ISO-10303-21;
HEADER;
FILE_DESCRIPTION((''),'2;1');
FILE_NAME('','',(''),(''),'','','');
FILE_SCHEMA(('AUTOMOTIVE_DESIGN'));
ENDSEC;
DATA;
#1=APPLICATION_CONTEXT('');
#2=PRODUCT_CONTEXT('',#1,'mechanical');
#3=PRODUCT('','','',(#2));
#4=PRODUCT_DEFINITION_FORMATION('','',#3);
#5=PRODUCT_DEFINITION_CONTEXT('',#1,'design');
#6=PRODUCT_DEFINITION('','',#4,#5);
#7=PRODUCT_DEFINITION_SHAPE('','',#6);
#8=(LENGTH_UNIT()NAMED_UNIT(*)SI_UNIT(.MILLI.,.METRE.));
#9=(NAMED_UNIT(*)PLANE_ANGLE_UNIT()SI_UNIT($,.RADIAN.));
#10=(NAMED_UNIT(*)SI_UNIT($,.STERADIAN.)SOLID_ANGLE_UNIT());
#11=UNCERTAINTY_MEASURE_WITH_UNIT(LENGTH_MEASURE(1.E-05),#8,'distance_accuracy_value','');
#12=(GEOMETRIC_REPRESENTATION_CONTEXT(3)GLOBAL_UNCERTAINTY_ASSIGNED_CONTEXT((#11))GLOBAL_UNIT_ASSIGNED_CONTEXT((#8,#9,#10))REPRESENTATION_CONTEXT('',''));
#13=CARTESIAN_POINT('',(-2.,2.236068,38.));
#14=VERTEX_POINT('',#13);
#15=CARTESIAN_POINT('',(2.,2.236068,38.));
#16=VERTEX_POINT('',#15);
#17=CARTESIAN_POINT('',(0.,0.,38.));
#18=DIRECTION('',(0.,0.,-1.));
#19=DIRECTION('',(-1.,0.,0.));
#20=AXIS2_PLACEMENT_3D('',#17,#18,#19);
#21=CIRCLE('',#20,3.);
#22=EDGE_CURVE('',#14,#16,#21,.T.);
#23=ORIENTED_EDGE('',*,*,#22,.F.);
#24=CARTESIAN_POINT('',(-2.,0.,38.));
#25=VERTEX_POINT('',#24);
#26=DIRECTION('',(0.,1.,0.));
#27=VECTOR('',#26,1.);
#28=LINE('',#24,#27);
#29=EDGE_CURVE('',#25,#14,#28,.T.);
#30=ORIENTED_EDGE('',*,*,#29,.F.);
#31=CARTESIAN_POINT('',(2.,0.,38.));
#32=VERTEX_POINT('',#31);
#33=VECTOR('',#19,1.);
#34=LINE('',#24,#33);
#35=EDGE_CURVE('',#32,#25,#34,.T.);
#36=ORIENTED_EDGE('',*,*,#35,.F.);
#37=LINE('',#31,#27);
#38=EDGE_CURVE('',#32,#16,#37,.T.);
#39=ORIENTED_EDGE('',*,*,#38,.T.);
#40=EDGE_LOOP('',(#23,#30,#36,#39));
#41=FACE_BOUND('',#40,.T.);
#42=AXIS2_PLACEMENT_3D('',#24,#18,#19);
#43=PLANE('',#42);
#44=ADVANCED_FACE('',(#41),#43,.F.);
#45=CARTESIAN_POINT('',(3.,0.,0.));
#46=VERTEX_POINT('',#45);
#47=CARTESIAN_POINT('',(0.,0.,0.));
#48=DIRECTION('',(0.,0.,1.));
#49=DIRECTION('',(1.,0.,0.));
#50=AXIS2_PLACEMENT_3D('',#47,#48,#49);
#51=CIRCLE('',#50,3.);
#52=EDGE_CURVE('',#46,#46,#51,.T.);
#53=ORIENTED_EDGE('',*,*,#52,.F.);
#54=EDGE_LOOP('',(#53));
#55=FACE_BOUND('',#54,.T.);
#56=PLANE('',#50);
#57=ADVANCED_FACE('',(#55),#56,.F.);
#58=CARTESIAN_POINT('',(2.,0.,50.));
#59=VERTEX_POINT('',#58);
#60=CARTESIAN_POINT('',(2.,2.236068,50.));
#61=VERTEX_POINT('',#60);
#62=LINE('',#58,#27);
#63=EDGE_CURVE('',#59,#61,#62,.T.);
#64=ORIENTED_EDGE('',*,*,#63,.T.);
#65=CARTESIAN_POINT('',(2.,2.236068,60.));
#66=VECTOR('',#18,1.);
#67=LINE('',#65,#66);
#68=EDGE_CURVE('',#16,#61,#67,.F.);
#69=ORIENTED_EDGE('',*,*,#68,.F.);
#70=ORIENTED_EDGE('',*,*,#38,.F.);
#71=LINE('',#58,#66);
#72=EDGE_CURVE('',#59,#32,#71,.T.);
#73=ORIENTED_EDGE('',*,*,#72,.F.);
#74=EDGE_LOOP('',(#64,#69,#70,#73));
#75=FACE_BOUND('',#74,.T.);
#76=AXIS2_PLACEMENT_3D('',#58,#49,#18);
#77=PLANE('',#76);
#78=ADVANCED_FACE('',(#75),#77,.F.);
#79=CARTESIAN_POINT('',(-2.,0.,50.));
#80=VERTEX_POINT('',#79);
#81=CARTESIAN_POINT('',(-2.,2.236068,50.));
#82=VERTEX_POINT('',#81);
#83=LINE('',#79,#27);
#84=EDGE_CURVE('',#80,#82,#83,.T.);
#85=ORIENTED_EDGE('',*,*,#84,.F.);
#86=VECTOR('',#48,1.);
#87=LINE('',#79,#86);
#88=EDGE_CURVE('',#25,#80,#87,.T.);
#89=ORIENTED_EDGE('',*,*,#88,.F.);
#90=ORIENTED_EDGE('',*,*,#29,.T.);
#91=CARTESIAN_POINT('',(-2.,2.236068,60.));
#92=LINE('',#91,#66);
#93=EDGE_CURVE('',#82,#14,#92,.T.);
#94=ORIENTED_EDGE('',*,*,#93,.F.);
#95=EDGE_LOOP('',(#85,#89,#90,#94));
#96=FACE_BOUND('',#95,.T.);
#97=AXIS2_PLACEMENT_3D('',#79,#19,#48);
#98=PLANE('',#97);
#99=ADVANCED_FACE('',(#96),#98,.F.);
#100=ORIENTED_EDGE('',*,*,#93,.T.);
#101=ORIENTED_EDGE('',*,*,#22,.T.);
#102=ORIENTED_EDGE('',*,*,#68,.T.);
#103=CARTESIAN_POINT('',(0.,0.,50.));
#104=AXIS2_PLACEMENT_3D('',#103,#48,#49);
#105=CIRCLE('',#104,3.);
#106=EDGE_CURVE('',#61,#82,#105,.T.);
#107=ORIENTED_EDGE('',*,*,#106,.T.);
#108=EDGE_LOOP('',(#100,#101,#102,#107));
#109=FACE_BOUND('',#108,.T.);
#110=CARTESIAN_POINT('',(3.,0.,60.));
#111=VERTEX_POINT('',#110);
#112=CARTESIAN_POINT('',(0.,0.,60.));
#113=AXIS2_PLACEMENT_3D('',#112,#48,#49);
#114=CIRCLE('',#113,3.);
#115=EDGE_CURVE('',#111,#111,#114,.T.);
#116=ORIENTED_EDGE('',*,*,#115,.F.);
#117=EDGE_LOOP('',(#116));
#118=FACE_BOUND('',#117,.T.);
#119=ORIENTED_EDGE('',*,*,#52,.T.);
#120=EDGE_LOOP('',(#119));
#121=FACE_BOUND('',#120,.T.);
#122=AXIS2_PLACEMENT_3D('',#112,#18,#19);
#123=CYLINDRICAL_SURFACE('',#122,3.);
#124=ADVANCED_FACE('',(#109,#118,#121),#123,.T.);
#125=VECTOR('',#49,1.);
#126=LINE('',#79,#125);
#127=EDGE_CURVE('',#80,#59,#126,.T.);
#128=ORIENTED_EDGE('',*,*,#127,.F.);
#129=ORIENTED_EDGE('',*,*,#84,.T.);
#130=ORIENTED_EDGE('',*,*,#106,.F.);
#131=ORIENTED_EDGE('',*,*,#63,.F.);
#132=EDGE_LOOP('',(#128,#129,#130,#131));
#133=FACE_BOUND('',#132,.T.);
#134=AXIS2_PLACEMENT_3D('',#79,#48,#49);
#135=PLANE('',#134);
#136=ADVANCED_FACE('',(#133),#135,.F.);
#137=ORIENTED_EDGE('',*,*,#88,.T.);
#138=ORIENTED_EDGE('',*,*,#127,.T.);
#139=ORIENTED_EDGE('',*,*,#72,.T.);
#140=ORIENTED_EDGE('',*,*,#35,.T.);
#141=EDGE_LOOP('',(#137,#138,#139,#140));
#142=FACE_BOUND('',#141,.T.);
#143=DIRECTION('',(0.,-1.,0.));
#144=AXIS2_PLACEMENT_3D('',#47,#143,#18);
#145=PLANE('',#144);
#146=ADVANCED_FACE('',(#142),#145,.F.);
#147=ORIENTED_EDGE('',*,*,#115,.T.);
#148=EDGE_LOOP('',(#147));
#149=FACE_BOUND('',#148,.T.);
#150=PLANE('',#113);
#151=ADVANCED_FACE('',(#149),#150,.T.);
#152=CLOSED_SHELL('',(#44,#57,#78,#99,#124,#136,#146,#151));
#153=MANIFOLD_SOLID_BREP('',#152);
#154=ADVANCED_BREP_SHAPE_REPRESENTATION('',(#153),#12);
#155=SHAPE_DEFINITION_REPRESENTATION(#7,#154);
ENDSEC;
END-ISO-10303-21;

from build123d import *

# Parameters (mm, degrees)
SKETCH1_R           = 3
BOSS_EXTRUDE1_DEPTH = 60
SKETCH2_W           = 4
SKETCH2_H           = 12
CUT_EXTRUDE1_DEPTH  = 3


with BuildPart() as part:
    # Sketch1 → Boss-Extrude1 (new body)
    with BuildSketch(Plane.XY):
        Circle(SKETCH1_R)
    extrude(amount=BOSS_EXTRUDE1_DEPTH)

    # Sketch2 → Cut-Extrude1 (cut)
    with BuildSketch(Plane(origin=(0, 3, 0), x_dir=(1, 0, 0), z_dir=(0, 1, 0))):
        with Locations((0, -44)):
            Rectangle(SKETCH2_W, SKETCH2_H)
    extrude(amount=-CUT_EXTRUDE1_DEPTH, mode=Mode.SUBTRACT)


solid = part.part
